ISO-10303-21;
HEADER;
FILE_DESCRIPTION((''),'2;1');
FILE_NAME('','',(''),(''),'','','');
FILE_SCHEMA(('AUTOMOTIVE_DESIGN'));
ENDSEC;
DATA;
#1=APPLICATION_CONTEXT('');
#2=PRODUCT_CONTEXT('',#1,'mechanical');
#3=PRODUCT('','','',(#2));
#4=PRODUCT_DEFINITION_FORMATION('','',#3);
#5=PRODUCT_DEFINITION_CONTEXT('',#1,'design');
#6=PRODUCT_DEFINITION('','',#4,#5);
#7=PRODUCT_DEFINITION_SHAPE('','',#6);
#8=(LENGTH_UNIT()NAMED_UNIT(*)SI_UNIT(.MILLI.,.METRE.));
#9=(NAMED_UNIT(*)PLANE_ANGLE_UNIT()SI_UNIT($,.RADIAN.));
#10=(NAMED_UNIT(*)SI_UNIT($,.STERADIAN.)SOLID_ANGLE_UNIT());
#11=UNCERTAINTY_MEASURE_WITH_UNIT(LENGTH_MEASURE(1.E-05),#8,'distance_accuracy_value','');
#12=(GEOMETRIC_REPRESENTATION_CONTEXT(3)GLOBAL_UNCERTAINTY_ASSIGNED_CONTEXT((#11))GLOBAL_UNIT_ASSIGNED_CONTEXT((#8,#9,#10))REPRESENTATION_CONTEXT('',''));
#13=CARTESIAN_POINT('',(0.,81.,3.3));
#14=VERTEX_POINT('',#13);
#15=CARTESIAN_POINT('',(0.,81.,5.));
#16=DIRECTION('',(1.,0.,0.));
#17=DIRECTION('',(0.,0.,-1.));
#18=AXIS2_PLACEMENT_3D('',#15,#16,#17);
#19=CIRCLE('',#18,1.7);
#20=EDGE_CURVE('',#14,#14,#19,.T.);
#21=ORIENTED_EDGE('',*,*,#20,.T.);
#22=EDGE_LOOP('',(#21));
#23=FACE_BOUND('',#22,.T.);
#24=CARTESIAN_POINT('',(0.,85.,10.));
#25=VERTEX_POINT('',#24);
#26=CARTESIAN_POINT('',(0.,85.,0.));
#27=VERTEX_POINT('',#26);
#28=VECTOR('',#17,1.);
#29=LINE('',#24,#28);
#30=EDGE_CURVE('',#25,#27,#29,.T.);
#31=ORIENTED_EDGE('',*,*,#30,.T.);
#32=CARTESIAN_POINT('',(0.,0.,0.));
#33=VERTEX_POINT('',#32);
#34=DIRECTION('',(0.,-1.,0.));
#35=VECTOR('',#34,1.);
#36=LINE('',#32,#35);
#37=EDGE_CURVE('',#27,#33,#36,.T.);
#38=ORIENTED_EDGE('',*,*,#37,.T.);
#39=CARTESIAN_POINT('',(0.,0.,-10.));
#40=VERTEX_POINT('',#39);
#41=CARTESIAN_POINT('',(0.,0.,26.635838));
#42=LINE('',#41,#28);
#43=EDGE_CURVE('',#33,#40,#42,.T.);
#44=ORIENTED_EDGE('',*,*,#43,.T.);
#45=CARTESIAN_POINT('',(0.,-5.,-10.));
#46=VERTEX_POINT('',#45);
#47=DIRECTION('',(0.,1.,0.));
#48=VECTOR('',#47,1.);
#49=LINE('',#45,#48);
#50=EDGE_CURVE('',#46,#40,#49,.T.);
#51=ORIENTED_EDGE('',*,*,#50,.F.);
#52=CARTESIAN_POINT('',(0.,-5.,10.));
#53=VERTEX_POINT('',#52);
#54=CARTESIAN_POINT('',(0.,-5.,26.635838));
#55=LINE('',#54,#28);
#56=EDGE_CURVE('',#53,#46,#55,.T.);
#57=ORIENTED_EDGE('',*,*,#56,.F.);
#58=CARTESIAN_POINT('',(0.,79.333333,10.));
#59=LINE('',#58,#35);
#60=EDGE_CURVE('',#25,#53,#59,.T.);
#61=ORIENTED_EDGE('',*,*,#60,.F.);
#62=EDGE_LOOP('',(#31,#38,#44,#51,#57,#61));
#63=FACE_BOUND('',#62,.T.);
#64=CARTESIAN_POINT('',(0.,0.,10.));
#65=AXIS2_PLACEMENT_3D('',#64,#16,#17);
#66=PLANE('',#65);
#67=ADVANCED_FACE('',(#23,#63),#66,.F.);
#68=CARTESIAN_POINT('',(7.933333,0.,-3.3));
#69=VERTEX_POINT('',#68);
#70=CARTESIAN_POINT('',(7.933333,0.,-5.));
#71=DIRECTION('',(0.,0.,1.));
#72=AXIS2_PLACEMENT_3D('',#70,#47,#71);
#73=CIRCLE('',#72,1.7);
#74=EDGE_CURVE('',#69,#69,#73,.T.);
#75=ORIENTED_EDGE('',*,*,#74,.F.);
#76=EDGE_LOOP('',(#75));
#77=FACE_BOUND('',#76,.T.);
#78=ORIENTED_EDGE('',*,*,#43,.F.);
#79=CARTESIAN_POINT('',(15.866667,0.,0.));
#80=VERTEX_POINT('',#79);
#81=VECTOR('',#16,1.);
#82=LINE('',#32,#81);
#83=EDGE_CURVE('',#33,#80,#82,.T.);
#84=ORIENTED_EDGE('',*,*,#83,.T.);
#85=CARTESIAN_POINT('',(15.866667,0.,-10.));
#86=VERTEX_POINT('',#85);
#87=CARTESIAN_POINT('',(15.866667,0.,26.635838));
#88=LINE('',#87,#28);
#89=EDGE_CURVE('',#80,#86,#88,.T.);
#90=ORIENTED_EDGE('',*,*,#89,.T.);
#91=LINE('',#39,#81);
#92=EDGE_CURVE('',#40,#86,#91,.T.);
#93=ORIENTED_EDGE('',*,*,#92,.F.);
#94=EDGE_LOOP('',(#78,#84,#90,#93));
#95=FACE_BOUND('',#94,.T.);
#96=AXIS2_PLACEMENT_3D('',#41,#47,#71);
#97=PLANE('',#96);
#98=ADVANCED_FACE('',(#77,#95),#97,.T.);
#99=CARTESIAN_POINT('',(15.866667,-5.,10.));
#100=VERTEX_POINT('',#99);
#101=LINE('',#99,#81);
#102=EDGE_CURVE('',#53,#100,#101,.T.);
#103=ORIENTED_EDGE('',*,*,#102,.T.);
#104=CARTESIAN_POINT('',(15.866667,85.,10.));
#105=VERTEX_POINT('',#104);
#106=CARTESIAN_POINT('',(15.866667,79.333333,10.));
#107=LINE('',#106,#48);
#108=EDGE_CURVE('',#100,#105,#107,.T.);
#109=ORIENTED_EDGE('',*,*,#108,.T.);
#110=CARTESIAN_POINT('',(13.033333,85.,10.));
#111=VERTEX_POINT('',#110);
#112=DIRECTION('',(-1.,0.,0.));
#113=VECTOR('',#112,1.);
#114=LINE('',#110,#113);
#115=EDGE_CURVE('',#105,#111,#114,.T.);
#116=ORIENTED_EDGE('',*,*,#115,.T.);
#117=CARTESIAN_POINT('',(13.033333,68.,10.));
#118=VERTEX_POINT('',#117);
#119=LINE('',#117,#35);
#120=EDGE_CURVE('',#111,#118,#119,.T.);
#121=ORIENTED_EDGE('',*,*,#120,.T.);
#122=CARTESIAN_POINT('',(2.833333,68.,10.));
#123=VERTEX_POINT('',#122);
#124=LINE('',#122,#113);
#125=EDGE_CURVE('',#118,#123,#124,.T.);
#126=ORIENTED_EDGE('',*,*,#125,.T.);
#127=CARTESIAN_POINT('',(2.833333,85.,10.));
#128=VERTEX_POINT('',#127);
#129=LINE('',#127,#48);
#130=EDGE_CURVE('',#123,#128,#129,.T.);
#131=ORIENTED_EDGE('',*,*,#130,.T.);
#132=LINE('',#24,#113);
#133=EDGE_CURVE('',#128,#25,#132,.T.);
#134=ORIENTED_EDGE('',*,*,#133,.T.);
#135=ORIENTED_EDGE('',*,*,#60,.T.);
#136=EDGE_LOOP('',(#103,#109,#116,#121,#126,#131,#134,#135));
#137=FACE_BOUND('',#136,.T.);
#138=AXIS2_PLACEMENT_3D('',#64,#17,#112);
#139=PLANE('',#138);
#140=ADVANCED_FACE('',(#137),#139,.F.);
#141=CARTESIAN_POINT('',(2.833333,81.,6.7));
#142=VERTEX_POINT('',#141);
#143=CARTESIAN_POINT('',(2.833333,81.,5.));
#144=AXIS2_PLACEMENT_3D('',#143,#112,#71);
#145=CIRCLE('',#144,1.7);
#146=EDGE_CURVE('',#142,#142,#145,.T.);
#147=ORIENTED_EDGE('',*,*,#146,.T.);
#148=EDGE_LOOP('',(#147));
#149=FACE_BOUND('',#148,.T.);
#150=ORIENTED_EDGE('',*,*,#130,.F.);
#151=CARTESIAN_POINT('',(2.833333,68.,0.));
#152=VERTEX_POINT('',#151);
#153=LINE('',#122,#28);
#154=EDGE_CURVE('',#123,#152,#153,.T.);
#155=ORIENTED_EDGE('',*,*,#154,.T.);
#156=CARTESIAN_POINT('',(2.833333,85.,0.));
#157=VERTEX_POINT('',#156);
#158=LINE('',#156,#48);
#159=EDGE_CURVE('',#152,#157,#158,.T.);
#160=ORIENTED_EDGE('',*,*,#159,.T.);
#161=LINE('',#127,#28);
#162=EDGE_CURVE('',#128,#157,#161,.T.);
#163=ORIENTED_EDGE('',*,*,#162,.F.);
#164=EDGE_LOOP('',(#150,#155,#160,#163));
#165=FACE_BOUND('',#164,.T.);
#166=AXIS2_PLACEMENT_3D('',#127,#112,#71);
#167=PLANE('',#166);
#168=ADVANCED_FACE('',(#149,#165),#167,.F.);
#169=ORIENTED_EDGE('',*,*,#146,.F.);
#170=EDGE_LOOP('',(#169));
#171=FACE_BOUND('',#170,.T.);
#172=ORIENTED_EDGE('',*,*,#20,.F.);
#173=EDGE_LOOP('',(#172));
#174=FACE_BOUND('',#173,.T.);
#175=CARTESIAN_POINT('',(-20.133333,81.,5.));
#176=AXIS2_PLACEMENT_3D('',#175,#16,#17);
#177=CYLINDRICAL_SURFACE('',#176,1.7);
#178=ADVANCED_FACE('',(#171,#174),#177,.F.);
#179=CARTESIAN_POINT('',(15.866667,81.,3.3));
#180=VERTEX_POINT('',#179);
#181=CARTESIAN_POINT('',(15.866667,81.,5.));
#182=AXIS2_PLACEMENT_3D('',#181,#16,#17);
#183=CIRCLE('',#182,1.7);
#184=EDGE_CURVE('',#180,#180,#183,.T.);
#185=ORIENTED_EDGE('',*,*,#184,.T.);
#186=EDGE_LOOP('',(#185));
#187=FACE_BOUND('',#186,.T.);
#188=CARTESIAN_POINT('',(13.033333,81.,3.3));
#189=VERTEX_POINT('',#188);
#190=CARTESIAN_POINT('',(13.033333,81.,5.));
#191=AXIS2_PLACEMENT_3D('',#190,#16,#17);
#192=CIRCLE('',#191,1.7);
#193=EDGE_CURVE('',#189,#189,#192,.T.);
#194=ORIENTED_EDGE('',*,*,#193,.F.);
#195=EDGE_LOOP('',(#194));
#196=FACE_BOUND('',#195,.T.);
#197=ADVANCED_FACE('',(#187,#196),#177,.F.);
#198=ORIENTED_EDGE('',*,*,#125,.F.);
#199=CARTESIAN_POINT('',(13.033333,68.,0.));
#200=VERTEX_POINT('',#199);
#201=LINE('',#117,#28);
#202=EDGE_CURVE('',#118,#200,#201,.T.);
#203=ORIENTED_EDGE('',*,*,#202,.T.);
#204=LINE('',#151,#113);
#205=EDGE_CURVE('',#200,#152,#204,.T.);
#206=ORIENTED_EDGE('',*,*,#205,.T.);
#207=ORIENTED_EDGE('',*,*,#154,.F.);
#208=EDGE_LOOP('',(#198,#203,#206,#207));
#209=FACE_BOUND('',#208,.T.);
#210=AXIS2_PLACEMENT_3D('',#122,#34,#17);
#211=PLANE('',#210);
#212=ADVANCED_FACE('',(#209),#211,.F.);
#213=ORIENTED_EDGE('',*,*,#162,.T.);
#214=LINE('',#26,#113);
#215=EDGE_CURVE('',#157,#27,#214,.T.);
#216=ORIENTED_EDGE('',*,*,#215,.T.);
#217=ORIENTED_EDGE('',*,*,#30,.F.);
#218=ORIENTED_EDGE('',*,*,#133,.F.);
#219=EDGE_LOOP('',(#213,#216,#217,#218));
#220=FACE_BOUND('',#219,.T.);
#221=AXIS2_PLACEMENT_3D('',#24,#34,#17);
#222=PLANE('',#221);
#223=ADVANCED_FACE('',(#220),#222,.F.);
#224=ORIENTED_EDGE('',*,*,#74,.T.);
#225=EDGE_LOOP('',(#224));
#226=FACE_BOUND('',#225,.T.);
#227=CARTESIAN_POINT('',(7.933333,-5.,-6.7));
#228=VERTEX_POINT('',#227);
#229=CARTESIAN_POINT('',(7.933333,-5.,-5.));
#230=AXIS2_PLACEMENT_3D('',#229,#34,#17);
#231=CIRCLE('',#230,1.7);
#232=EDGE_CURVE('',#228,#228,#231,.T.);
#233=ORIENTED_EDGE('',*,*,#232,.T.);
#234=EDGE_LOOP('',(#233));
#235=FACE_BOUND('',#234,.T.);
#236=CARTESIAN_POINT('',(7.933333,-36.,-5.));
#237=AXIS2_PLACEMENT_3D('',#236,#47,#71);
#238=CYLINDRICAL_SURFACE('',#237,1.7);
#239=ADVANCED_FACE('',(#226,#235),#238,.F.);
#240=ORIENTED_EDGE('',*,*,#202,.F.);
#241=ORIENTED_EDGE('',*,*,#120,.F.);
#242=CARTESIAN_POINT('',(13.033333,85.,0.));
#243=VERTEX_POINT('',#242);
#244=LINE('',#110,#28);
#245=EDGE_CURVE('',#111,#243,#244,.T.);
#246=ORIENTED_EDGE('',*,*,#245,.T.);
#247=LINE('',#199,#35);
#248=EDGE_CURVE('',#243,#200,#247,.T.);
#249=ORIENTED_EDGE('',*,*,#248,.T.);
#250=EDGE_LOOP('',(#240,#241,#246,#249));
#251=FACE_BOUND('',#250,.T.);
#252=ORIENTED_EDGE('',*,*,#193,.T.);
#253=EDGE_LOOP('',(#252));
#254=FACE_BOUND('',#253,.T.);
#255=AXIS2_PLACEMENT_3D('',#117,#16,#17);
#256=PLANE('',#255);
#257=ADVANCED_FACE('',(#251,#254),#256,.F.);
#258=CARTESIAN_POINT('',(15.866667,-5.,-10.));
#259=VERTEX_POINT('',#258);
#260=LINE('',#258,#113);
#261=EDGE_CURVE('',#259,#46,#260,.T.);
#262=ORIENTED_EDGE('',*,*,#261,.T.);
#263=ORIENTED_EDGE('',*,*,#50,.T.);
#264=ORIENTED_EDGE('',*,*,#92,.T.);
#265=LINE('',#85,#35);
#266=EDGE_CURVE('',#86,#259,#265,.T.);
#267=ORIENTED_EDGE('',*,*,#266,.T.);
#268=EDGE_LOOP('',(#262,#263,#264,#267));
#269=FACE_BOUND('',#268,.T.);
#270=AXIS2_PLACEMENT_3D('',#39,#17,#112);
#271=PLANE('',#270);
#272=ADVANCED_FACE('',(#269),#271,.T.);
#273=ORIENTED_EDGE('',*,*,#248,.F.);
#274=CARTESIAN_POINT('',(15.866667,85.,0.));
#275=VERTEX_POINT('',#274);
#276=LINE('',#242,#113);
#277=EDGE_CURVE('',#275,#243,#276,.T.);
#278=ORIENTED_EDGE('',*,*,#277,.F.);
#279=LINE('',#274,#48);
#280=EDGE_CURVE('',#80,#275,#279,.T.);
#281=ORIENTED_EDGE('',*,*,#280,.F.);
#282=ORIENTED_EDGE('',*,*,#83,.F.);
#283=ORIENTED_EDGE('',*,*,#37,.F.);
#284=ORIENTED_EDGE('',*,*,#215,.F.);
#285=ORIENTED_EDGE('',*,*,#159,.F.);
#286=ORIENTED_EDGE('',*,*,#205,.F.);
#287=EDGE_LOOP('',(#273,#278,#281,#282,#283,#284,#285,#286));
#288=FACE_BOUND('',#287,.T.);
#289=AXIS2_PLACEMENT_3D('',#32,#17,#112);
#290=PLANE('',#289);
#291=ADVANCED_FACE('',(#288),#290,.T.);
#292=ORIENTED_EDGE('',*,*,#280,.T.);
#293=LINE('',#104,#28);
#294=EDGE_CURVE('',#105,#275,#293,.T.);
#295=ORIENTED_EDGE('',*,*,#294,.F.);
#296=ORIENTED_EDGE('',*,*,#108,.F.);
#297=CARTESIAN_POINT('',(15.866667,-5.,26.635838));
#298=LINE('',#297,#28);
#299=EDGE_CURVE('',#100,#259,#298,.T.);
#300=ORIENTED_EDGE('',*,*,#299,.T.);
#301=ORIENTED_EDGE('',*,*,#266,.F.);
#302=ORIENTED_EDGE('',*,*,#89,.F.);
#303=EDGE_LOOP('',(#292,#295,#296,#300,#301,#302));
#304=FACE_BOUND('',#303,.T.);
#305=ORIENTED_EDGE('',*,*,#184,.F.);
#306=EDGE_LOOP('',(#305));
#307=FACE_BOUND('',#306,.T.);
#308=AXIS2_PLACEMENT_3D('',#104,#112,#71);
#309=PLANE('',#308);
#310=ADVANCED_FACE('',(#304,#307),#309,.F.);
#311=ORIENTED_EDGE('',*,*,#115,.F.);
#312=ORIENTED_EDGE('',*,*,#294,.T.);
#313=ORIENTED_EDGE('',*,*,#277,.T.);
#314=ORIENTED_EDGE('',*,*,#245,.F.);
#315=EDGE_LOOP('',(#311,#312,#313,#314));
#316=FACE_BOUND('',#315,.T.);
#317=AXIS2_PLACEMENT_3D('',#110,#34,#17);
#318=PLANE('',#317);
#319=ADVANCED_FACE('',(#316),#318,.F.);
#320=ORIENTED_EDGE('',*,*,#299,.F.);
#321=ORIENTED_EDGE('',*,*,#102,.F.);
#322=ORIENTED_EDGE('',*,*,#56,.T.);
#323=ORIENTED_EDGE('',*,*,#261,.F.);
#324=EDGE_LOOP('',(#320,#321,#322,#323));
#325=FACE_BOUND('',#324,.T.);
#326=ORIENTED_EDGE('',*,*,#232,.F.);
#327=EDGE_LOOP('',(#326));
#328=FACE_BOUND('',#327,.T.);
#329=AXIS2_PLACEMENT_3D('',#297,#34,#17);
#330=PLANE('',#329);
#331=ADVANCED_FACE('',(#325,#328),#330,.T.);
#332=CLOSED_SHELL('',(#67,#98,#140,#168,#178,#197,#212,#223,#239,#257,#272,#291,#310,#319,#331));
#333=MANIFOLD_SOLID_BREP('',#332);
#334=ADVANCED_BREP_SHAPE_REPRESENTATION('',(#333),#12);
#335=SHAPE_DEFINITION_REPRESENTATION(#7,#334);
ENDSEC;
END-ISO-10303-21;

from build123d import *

# Parameters (mm, degrees)
Y_KSEKLIK_EKSTR_ZYON1_DEPTH      = 10
Y_KSEKLIK_EKSTR_ZYON2_DEPTH      = 10
Y_KSEKLIK_EKSTR_ZYON2_DEPTH_BACK = 10
IZIM3_W                          = 15.866666667
IZIM3_H                          = 5
IZIM5_R                          = 1.7
KES_EKSTR_ZYON1_DEPTH            = 36
IZIM9_R                          = 1.7
KES_EKSTR_ZYON2_DEPTH            = 36


with BuildPart() as part:
    # Çizim2 → Yükseklik-Ekstrüzyon1 (new body)
    with BuildSketch(Plane.XY):
        Polygon((0, 0), (0, 79.333333333), (0, 85), (2.833333333, 85), (2.833333333, 68), (13.033333333, 68), (13.033333333, 85), (15.866666667, 85), (15.866666667, 79.333333333), (15.866666667, 0), align=None)
    extrude(amount=Y_KSEKLIK_EKSTR_ZYON1_DEPTH)

    # Çizim3 → Yükseklik-Ekstrüzyon2 (add, two sides: drawn at the far end of the back side and taken through both)
    with BuildSketch(Plane(origin=(0, 0, 0), x_dir=(-1, 0, 0), z_dir=(0, 0, -1)).offset(-Y_KSEKLIK_EKSTR_ZYON2_DEPTH_BACK)):
        with Locations((-7.933333334, -2.5)):
            Rectangle(IZIM3_W, IZIM3_H)
    extrude(amount=Y_KSEKLIK_EKSTR_ZYON2_DEPTH + Y_KSEKLIK_EKSTR_ZYON2_DEPTH_BACK)

    # Çizim5 → Kes-Ekstrüzyon1 (cut)
    with BuildSketch(Plane(origin=(15.866666667, 0, 0), x_dir=(0, 0, -1), z_dir=(1, 0, 0))):
        with Locations((-5, 81)):
            Circle(IZIM5_R)
    extrude(amount=-KES_EKSTR_ZYON1_DEPTH, mode=Mode.SUBTRACT)

    # Çizim9 → Kes-Ekstrüzyon2 (cut)
    with BuildSketch(Plane(origin=(0, 0, 0), x_dir=(1, 0, 0), z_dir=(0, 1, 0))):
        with Locations(Location((7.933333333, 5, 0), (0, 0, 270))):
            Circle(IZIM9_R)
    extrude(amount=-KES_EKSTR_ZYON2_DEPTH, mode=Mode.SUBTRACT)


solid = part.part
